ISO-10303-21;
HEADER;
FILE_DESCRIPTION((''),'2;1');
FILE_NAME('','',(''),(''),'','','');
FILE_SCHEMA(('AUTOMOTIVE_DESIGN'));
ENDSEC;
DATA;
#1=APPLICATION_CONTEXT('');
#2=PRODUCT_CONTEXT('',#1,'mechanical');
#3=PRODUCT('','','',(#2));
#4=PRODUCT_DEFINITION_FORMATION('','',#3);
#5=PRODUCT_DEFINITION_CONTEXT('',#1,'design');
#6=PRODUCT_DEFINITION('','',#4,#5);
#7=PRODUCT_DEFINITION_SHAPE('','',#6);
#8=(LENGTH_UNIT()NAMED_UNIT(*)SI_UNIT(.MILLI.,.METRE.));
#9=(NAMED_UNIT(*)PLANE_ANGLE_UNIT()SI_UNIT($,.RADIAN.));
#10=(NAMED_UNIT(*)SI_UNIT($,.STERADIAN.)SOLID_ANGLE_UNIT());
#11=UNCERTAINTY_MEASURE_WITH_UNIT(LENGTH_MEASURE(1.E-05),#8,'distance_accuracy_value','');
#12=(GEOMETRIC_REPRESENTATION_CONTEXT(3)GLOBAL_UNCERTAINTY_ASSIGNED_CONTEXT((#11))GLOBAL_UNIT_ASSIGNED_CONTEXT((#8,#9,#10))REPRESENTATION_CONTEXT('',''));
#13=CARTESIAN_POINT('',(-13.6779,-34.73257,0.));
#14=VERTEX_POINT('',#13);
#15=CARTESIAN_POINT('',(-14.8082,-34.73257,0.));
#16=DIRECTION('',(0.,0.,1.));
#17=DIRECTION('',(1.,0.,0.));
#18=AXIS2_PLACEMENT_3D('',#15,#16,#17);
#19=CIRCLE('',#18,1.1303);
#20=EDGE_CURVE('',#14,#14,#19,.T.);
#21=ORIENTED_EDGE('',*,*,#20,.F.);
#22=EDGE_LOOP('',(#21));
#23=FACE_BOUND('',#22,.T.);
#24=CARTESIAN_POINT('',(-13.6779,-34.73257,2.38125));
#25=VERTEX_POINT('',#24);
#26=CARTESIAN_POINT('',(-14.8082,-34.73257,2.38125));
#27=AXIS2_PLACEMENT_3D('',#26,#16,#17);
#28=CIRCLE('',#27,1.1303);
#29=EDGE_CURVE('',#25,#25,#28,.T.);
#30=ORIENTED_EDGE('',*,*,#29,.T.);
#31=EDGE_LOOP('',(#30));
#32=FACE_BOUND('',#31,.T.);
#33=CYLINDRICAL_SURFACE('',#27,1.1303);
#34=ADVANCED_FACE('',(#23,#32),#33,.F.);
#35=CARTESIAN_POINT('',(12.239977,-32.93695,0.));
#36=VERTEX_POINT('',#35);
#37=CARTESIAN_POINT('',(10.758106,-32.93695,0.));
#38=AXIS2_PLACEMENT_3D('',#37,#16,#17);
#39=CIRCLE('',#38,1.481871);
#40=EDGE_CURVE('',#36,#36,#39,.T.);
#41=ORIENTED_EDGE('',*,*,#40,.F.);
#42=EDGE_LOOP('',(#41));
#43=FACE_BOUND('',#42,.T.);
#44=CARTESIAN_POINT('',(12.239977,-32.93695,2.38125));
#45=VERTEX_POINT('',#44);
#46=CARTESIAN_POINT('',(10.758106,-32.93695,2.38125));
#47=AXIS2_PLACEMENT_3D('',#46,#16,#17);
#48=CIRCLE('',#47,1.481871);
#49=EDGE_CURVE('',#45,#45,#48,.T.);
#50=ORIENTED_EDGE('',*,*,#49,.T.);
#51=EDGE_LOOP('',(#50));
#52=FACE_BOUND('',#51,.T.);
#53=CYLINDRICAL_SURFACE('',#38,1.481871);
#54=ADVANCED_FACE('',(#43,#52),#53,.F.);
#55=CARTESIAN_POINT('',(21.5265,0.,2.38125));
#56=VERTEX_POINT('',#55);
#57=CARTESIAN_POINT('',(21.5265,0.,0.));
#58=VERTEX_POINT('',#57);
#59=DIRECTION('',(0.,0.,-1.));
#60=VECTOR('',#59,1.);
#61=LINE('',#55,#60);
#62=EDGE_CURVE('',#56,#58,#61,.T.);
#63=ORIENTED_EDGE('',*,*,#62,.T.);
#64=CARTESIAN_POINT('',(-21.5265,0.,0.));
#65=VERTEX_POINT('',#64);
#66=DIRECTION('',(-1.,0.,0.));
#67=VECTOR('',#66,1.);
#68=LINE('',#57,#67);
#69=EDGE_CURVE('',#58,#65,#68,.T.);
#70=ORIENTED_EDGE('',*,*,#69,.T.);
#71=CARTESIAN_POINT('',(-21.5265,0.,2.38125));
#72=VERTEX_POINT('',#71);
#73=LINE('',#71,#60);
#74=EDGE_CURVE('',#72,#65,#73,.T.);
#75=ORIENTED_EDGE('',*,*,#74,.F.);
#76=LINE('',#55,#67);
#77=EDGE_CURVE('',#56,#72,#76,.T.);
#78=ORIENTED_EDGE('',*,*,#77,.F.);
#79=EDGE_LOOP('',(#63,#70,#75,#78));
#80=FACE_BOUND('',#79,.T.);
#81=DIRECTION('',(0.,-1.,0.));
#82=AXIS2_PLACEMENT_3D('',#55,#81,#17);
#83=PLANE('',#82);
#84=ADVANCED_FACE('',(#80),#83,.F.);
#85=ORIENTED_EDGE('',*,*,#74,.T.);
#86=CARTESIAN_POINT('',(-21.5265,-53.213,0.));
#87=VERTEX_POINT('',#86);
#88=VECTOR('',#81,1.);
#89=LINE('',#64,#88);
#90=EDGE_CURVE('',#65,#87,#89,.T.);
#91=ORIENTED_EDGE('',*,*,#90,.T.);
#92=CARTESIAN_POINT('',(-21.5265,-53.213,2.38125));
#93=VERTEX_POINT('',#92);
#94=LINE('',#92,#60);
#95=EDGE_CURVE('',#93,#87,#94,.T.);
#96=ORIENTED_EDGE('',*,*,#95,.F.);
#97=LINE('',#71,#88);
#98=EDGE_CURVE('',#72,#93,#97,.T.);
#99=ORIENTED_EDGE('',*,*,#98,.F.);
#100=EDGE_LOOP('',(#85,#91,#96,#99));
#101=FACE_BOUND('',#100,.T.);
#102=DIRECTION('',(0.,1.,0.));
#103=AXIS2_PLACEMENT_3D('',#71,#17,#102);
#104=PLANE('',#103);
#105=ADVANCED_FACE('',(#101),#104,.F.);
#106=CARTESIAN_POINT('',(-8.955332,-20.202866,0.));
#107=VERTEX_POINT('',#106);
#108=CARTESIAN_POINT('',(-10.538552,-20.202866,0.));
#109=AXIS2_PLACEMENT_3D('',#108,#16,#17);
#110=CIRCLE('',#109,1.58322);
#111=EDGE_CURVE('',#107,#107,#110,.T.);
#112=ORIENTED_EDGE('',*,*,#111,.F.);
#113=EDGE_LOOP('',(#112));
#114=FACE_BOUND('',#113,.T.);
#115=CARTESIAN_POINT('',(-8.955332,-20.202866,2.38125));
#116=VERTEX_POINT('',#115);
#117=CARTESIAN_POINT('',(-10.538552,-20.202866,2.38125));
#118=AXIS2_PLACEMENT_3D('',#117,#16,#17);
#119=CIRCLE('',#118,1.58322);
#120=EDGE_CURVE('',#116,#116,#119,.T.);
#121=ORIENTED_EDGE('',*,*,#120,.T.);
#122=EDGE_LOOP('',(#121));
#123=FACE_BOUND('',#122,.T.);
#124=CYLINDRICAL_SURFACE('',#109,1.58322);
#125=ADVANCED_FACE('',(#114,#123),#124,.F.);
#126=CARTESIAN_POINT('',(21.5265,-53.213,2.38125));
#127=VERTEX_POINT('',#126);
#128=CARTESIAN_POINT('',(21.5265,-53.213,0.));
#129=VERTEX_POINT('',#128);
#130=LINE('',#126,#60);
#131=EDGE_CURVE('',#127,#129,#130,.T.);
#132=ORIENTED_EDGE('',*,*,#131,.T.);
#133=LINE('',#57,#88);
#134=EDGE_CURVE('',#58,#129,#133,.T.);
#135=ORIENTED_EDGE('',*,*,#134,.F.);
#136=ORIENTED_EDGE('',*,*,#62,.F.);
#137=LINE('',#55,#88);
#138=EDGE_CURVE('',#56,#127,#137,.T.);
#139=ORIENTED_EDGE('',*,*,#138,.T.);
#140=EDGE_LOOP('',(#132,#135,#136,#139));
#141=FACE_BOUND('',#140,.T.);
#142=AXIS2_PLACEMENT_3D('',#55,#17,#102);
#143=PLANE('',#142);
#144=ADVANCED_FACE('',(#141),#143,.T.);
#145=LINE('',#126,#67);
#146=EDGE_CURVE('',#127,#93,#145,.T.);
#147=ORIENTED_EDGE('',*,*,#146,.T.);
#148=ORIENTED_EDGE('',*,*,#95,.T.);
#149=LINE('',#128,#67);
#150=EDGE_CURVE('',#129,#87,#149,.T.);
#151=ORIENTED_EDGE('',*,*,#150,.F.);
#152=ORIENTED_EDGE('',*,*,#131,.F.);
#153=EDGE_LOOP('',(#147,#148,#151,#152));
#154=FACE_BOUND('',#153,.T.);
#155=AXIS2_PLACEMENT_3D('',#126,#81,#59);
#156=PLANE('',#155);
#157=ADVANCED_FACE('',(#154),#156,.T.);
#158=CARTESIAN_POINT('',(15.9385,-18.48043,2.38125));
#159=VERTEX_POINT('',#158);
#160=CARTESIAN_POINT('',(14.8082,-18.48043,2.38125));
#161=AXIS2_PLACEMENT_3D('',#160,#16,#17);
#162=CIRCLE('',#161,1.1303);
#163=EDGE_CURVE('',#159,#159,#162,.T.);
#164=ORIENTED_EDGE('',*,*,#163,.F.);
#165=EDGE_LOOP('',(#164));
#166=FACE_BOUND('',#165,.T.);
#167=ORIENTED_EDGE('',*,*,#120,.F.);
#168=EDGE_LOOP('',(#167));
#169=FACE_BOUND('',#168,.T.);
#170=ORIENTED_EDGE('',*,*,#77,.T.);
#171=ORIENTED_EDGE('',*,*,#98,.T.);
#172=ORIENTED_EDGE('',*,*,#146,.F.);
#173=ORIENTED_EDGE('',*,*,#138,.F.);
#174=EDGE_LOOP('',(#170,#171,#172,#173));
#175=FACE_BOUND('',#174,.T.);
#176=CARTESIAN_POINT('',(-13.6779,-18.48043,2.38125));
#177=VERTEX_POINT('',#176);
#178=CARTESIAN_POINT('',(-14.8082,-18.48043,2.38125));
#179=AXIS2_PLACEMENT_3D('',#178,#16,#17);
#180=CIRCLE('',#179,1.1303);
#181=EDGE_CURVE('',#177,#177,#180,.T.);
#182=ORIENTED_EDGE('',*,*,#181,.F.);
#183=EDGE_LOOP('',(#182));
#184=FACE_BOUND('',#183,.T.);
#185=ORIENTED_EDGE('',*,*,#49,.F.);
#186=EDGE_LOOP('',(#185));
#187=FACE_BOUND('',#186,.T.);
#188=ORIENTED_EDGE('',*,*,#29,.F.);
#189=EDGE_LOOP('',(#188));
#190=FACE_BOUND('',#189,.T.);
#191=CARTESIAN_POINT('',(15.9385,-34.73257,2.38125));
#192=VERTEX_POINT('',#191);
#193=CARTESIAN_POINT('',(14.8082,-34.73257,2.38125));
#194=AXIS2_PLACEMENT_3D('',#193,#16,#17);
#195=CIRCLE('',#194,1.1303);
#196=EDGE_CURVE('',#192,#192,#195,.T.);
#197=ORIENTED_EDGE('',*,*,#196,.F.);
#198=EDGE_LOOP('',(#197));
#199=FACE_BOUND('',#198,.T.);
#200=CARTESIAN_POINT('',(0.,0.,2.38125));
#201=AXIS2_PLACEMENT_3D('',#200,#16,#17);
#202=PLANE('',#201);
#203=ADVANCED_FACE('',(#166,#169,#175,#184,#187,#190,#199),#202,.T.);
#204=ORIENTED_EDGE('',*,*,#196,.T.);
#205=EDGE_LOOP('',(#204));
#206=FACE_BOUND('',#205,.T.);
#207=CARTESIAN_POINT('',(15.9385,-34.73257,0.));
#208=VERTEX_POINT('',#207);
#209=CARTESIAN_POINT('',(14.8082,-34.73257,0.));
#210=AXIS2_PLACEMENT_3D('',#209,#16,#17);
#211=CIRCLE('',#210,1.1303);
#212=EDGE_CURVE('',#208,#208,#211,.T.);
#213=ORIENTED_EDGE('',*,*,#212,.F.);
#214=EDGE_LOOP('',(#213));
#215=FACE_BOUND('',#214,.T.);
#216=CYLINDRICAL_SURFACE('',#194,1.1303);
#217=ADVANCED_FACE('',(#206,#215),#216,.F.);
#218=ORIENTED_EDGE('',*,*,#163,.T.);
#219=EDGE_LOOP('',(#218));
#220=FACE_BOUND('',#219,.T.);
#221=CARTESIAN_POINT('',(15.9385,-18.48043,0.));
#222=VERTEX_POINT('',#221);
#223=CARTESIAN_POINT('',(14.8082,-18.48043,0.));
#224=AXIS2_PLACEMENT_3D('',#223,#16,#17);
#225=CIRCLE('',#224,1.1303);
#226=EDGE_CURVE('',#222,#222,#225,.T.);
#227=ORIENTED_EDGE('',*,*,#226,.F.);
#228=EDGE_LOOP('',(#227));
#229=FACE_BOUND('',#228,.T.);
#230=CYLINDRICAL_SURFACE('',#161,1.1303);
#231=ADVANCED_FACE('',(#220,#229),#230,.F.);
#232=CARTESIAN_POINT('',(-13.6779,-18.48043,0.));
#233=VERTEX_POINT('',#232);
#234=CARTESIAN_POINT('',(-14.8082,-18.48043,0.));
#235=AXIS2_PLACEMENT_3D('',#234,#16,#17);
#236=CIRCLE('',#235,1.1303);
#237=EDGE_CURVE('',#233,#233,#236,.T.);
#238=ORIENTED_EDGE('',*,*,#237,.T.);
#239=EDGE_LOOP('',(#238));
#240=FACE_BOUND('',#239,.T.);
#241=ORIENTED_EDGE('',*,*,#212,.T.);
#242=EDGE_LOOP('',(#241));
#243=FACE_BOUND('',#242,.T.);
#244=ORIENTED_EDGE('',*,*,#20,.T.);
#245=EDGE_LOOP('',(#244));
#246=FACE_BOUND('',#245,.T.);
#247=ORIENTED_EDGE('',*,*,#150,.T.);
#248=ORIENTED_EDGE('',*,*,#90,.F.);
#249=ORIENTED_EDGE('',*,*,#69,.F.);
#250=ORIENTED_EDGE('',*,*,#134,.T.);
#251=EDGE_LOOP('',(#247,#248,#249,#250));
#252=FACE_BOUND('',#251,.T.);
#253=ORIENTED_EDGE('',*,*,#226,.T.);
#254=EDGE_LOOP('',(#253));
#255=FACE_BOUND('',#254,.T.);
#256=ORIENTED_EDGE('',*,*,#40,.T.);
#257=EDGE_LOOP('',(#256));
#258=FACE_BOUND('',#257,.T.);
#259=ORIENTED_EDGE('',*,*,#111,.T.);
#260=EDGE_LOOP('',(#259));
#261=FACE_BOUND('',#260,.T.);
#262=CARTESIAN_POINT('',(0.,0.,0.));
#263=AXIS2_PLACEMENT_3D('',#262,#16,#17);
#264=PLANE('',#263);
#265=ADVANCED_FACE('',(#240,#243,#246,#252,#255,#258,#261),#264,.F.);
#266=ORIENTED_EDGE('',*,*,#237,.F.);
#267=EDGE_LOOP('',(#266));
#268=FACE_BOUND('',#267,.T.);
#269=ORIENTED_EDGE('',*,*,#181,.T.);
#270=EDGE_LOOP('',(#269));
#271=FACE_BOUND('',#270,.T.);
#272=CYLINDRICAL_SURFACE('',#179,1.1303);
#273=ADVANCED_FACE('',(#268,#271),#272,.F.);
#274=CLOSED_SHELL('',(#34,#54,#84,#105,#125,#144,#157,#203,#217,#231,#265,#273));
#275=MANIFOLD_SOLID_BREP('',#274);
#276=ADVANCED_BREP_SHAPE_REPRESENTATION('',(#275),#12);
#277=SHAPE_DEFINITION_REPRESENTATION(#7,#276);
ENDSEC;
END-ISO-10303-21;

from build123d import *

# Parameters (mm, degrees)
SKETCH1_W             = 43.053
SKETCH1_H             = 53.213
BOSS_EXTRUDE1_DEPTH   = 2.38125
F_4_40_TAPPED_HOLE1_D = 2.2606
SKETCH5_R             = 1.583220457
SKETCH5_R_2           = 1.481870985
CUT_EXTRUDE1_DEPTH    = 3.38125


with BuildPart() as part:
    # Sketch1 → Boss-Extrude1 (new body)
    with BuildSketch(Plane.XY):
        with Locations((0, -26.6065)):
            Rectangle(SKETCH1_W, SKETCH1_H)
    extrude(amount=BOSS_EXTRUDE1_DEPTH)

    # #4-40 Tapped Hole1 (through all)
    with Locations(Plane.XY.offset(2.38125)):
        with Locations((-14.8082, -18.4804304), (14.8082, -18.4804304), (-14.8082, -34.7325696), (14.8082, -34.7325696)):
            Hole(F_4_40_TAPPED_HOLE1_D / 2)

    # Sketch5 → Cut-Extrude1 (cut, through all)
    with BuildSketch(Plane.XY.offset(2.38125)):
        with Locations((-10.538552378, -20.202865742)):
            Circle(SKETCH5_R)
        with Locations((10.758105553, -32.936949866)):
            Circle(SKETCH5_R_2)
    extrude(amount=-CUT_EXTRUDE1_DEPTH, mode=Mode.SUBTRACT)


solid = part.part
